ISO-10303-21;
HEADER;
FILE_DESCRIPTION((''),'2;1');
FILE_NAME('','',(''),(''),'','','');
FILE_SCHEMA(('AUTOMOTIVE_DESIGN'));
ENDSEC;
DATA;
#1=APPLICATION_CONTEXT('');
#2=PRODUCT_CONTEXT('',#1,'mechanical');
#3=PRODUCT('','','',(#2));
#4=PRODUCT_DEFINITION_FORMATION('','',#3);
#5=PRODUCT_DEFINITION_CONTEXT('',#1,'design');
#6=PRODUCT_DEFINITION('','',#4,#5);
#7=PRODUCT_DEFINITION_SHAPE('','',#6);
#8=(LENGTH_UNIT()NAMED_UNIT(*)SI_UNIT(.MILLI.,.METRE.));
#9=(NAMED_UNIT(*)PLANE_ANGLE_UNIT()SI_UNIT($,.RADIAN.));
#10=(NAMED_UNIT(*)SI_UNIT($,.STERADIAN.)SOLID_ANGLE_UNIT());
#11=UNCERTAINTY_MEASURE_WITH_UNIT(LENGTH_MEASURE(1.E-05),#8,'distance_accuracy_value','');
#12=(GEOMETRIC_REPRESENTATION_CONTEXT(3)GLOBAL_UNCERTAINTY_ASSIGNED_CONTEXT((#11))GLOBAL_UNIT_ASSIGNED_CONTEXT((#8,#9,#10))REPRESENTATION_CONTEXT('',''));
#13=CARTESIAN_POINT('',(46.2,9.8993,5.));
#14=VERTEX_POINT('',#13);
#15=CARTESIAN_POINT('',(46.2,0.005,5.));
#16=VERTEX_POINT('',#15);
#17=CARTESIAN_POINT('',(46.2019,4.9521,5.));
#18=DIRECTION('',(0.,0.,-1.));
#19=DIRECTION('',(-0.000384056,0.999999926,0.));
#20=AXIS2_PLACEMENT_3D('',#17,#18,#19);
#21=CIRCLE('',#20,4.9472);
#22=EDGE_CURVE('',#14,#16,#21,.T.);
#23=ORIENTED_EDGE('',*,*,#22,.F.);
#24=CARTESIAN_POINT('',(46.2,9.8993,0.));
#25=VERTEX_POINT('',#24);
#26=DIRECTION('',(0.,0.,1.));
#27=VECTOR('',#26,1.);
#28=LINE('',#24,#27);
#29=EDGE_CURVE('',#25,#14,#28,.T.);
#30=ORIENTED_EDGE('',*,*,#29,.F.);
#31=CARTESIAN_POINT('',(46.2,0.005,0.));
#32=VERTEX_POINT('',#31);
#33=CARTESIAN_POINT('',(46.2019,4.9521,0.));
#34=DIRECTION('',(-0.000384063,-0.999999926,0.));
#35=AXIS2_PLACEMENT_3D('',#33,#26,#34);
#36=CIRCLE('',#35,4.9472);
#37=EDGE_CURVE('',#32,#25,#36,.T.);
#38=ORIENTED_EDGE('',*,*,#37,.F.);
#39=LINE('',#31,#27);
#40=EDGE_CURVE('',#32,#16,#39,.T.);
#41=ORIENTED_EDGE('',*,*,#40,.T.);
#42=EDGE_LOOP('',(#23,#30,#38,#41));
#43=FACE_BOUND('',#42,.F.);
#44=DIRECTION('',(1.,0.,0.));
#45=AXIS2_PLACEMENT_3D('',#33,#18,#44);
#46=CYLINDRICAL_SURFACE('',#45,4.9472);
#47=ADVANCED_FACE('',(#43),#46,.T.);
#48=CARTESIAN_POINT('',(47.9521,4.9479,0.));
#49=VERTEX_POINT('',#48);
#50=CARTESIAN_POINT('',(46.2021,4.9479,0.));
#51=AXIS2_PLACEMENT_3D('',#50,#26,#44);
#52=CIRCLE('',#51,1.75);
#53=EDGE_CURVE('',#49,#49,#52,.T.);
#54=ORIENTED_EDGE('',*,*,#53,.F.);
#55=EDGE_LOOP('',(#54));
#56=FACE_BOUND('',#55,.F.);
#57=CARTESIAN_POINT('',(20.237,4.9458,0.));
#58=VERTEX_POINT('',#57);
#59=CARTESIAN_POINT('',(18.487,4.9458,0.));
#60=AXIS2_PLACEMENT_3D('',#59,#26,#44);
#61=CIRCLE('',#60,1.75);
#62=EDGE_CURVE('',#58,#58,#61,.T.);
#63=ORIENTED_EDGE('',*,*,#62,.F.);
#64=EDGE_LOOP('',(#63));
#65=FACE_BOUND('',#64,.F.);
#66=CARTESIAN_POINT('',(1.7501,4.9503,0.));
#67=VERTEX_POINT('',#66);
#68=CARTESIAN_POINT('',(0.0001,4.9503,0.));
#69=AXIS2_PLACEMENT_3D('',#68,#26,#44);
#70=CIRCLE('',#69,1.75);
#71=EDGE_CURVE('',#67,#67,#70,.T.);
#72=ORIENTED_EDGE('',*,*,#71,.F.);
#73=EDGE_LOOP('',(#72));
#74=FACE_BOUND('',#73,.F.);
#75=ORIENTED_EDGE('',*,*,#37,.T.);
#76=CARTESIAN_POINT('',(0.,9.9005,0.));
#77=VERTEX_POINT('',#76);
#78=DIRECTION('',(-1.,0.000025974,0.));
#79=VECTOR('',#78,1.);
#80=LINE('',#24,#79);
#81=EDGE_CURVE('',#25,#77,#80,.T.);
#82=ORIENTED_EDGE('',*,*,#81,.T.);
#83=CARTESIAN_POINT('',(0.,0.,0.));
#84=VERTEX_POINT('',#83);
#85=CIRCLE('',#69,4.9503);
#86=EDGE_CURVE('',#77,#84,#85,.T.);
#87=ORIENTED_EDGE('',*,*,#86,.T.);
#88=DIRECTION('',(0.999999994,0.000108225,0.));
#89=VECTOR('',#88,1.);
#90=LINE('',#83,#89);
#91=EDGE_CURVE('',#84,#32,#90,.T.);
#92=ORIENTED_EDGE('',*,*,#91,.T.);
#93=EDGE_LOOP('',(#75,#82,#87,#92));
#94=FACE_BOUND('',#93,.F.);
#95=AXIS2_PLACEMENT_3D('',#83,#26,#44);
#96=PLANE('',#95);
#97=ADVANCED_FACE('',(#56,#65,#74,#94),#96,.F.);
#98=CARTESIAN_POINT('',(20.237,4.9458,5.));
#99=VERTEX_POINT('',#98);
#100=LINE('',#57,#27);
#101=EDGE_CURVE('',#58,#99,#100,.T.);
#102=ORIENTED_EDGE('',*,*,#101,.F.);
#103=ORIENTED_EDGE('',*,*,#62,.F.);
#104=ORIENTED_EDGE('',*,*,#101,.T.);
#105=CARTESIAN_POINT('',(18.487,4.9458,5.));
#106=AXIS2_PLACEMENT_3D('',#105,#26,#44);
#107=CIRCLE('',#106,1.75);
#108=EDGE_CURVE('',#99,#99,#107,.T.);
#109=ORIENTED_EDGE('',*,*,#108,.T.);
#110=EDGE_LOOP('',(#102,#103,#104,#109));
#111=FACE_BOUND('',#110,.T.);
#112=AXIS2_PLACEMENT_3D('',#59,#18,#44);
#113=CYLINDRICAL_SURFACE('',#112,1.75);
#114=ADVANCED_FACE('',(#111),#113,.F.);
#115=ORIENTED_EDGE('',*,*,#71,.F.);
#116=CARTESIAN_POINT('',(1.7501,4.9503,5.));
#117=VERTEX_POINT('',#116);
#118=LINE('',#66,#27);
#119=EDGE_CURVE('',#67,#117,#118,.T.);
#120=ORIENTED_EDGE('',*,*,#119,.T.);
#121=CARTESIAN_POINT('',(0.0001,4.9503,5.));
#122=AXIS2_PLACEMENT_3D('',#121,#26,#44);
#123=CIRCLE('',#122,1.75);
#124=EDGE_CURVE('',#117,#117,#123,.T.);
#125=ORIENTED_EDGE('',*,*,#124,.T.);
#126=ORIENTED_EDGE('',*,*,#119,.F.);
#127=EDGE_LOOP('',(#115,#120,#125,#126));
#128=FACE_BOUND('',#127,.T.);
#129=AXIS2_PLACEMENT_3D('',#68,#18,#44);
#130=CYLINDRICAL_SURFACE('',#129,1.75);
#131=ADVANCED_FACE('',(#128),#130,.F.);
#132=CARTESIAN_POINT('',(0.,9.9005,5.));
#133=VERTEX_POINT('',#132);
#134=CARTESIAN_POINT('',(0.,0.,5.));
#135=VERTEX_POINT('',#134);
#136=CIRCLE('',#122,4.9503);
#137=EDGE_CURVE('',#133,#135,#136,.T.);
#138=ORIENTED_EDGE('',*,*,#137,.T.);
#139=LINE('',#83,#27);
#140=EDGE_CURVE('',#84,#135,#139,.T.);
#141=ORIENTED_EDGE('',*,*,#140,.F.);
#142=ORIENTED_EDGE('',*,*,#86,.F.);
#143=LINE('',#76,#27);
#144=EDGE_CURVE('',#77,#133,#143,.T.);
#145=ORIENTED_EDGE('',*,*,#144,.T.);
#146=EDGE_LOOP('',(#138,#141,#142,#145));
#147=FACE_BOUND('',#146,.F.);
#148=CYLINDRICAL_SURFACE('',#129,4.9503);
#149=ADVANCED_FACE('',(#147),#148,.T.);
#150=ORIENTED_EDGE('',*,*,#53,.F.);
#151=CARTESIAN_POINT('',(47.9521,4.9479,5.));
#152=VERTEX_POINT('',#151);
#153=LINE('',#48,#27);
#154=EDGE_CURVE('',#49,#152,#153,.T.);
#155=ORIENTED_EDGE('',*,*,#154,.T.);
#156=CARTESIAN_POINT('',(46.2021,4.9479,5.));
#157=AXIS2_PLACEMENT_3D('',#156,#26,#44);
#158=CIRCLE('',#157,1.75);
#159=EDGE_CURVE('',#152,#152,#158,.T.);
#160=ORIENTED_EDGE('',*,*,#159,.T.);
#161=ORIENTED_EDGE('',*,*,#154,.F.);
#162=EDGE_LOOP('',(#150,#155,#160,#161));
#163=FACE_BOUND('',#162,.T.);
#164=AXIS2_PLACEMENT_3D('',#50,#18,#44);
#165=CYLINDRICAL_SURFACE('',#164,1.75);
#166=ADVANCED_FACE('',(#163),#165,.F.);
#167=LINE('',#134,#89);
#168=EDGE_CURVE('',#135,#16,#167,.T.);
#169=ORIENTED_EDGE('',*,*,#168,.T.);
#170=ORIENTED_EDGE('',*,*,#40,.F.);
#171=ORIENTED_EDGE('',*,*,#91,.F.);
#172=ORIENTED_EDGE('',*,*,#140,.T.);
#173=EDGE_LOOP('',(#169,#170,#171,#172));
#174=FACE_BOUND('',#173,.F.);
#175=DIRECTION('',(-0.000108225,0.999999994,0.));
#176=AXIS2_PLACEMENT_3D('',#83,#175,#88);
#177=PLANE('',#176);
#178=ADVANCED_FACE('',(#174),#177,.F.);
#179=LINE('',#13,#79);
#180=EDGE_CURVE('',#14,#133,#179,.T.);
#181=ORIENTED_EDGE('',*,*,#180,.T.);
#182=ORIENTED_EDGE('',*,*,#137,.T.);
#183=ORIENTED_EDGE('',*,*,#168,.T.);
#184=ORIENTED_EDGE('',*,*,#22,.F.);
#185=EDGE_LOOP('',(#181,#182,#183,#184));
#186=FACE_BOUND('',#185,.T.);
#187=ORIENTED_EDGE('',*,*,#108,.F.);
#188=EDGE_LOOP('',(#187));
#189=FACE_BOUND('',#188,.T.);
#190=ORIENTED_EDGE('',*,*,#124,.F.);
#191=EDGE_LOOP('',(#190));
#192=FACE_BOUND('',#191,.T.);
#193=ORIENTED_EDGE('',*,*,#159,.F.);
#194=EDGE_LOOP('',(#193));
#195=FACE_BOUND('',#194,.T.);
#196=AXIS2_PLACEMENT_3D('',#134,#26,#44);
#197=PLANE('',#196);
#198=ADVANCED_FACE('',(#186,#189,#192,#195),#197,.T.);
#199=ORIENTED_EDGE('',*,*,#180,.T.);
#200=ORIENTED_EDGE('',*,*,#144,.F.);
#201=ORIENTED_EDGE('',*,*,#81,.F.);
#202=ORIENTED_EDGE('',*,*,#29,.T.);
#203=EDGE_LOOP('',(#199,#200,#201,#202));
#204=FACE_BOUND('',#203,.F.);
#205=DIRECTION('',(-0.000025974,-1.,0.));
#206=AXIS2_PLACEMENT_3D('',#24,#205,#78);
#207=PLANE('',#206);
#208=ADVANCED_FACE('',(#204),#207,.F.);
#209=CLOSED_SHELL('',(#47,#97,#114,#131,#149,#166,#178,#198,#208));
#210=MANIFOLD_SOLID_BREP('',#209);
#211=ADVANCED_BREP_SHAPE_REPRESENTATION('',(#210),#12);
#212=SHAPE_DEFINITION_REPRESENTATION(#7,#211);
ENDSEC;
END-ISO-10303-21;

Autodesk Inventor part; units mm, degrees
ref_plane "YZ Plane" through (0, 0, 0) normal (1, 0, 0) x (0, 1, 0)
ref_plane "XZ Plane" through (0, 0, 0) normal (0, 1, 0) x (-1, 0, 0)
ref_plane "XY Plane" through (0, 0, 0) normal (0, 0, 1) x (1, 0, 0)
sketch "Szkic1" plane through (0, 0, 0) normal (0, 0, 1) x (1, 0, 0)
  line L0 (46.2, 9.8993) -> (0, 9.9005)
  circle A0 centre (46.2019, 4.9521) radius 4.9472
  line L1 (0, 0) -> (46.2, 0.005)
  circle A1 centre (0.0001, 4.9503) radius 4.9503
  circle A2 centre (0.0001, 4.9503) radius 1.75
  circle A3 centre (18.487, 4.9458) radius 1.75
  circle A4 centre (46.2021, 4.9479) radius 1.75
  point P0 (0, 0)
  point P1 (-4.95, 0)
  point P2 (0.0003, 9.9005)
  point P3 (0.0007, 0)
  dimension "d0" = 3.5
  dimension "d1" = 3.5
  dimension "d2" = 3.5
extrude "Wyciągnięcie proste1" add sketch "Szkic1" along normal blind 5
properties part number "Arm"
